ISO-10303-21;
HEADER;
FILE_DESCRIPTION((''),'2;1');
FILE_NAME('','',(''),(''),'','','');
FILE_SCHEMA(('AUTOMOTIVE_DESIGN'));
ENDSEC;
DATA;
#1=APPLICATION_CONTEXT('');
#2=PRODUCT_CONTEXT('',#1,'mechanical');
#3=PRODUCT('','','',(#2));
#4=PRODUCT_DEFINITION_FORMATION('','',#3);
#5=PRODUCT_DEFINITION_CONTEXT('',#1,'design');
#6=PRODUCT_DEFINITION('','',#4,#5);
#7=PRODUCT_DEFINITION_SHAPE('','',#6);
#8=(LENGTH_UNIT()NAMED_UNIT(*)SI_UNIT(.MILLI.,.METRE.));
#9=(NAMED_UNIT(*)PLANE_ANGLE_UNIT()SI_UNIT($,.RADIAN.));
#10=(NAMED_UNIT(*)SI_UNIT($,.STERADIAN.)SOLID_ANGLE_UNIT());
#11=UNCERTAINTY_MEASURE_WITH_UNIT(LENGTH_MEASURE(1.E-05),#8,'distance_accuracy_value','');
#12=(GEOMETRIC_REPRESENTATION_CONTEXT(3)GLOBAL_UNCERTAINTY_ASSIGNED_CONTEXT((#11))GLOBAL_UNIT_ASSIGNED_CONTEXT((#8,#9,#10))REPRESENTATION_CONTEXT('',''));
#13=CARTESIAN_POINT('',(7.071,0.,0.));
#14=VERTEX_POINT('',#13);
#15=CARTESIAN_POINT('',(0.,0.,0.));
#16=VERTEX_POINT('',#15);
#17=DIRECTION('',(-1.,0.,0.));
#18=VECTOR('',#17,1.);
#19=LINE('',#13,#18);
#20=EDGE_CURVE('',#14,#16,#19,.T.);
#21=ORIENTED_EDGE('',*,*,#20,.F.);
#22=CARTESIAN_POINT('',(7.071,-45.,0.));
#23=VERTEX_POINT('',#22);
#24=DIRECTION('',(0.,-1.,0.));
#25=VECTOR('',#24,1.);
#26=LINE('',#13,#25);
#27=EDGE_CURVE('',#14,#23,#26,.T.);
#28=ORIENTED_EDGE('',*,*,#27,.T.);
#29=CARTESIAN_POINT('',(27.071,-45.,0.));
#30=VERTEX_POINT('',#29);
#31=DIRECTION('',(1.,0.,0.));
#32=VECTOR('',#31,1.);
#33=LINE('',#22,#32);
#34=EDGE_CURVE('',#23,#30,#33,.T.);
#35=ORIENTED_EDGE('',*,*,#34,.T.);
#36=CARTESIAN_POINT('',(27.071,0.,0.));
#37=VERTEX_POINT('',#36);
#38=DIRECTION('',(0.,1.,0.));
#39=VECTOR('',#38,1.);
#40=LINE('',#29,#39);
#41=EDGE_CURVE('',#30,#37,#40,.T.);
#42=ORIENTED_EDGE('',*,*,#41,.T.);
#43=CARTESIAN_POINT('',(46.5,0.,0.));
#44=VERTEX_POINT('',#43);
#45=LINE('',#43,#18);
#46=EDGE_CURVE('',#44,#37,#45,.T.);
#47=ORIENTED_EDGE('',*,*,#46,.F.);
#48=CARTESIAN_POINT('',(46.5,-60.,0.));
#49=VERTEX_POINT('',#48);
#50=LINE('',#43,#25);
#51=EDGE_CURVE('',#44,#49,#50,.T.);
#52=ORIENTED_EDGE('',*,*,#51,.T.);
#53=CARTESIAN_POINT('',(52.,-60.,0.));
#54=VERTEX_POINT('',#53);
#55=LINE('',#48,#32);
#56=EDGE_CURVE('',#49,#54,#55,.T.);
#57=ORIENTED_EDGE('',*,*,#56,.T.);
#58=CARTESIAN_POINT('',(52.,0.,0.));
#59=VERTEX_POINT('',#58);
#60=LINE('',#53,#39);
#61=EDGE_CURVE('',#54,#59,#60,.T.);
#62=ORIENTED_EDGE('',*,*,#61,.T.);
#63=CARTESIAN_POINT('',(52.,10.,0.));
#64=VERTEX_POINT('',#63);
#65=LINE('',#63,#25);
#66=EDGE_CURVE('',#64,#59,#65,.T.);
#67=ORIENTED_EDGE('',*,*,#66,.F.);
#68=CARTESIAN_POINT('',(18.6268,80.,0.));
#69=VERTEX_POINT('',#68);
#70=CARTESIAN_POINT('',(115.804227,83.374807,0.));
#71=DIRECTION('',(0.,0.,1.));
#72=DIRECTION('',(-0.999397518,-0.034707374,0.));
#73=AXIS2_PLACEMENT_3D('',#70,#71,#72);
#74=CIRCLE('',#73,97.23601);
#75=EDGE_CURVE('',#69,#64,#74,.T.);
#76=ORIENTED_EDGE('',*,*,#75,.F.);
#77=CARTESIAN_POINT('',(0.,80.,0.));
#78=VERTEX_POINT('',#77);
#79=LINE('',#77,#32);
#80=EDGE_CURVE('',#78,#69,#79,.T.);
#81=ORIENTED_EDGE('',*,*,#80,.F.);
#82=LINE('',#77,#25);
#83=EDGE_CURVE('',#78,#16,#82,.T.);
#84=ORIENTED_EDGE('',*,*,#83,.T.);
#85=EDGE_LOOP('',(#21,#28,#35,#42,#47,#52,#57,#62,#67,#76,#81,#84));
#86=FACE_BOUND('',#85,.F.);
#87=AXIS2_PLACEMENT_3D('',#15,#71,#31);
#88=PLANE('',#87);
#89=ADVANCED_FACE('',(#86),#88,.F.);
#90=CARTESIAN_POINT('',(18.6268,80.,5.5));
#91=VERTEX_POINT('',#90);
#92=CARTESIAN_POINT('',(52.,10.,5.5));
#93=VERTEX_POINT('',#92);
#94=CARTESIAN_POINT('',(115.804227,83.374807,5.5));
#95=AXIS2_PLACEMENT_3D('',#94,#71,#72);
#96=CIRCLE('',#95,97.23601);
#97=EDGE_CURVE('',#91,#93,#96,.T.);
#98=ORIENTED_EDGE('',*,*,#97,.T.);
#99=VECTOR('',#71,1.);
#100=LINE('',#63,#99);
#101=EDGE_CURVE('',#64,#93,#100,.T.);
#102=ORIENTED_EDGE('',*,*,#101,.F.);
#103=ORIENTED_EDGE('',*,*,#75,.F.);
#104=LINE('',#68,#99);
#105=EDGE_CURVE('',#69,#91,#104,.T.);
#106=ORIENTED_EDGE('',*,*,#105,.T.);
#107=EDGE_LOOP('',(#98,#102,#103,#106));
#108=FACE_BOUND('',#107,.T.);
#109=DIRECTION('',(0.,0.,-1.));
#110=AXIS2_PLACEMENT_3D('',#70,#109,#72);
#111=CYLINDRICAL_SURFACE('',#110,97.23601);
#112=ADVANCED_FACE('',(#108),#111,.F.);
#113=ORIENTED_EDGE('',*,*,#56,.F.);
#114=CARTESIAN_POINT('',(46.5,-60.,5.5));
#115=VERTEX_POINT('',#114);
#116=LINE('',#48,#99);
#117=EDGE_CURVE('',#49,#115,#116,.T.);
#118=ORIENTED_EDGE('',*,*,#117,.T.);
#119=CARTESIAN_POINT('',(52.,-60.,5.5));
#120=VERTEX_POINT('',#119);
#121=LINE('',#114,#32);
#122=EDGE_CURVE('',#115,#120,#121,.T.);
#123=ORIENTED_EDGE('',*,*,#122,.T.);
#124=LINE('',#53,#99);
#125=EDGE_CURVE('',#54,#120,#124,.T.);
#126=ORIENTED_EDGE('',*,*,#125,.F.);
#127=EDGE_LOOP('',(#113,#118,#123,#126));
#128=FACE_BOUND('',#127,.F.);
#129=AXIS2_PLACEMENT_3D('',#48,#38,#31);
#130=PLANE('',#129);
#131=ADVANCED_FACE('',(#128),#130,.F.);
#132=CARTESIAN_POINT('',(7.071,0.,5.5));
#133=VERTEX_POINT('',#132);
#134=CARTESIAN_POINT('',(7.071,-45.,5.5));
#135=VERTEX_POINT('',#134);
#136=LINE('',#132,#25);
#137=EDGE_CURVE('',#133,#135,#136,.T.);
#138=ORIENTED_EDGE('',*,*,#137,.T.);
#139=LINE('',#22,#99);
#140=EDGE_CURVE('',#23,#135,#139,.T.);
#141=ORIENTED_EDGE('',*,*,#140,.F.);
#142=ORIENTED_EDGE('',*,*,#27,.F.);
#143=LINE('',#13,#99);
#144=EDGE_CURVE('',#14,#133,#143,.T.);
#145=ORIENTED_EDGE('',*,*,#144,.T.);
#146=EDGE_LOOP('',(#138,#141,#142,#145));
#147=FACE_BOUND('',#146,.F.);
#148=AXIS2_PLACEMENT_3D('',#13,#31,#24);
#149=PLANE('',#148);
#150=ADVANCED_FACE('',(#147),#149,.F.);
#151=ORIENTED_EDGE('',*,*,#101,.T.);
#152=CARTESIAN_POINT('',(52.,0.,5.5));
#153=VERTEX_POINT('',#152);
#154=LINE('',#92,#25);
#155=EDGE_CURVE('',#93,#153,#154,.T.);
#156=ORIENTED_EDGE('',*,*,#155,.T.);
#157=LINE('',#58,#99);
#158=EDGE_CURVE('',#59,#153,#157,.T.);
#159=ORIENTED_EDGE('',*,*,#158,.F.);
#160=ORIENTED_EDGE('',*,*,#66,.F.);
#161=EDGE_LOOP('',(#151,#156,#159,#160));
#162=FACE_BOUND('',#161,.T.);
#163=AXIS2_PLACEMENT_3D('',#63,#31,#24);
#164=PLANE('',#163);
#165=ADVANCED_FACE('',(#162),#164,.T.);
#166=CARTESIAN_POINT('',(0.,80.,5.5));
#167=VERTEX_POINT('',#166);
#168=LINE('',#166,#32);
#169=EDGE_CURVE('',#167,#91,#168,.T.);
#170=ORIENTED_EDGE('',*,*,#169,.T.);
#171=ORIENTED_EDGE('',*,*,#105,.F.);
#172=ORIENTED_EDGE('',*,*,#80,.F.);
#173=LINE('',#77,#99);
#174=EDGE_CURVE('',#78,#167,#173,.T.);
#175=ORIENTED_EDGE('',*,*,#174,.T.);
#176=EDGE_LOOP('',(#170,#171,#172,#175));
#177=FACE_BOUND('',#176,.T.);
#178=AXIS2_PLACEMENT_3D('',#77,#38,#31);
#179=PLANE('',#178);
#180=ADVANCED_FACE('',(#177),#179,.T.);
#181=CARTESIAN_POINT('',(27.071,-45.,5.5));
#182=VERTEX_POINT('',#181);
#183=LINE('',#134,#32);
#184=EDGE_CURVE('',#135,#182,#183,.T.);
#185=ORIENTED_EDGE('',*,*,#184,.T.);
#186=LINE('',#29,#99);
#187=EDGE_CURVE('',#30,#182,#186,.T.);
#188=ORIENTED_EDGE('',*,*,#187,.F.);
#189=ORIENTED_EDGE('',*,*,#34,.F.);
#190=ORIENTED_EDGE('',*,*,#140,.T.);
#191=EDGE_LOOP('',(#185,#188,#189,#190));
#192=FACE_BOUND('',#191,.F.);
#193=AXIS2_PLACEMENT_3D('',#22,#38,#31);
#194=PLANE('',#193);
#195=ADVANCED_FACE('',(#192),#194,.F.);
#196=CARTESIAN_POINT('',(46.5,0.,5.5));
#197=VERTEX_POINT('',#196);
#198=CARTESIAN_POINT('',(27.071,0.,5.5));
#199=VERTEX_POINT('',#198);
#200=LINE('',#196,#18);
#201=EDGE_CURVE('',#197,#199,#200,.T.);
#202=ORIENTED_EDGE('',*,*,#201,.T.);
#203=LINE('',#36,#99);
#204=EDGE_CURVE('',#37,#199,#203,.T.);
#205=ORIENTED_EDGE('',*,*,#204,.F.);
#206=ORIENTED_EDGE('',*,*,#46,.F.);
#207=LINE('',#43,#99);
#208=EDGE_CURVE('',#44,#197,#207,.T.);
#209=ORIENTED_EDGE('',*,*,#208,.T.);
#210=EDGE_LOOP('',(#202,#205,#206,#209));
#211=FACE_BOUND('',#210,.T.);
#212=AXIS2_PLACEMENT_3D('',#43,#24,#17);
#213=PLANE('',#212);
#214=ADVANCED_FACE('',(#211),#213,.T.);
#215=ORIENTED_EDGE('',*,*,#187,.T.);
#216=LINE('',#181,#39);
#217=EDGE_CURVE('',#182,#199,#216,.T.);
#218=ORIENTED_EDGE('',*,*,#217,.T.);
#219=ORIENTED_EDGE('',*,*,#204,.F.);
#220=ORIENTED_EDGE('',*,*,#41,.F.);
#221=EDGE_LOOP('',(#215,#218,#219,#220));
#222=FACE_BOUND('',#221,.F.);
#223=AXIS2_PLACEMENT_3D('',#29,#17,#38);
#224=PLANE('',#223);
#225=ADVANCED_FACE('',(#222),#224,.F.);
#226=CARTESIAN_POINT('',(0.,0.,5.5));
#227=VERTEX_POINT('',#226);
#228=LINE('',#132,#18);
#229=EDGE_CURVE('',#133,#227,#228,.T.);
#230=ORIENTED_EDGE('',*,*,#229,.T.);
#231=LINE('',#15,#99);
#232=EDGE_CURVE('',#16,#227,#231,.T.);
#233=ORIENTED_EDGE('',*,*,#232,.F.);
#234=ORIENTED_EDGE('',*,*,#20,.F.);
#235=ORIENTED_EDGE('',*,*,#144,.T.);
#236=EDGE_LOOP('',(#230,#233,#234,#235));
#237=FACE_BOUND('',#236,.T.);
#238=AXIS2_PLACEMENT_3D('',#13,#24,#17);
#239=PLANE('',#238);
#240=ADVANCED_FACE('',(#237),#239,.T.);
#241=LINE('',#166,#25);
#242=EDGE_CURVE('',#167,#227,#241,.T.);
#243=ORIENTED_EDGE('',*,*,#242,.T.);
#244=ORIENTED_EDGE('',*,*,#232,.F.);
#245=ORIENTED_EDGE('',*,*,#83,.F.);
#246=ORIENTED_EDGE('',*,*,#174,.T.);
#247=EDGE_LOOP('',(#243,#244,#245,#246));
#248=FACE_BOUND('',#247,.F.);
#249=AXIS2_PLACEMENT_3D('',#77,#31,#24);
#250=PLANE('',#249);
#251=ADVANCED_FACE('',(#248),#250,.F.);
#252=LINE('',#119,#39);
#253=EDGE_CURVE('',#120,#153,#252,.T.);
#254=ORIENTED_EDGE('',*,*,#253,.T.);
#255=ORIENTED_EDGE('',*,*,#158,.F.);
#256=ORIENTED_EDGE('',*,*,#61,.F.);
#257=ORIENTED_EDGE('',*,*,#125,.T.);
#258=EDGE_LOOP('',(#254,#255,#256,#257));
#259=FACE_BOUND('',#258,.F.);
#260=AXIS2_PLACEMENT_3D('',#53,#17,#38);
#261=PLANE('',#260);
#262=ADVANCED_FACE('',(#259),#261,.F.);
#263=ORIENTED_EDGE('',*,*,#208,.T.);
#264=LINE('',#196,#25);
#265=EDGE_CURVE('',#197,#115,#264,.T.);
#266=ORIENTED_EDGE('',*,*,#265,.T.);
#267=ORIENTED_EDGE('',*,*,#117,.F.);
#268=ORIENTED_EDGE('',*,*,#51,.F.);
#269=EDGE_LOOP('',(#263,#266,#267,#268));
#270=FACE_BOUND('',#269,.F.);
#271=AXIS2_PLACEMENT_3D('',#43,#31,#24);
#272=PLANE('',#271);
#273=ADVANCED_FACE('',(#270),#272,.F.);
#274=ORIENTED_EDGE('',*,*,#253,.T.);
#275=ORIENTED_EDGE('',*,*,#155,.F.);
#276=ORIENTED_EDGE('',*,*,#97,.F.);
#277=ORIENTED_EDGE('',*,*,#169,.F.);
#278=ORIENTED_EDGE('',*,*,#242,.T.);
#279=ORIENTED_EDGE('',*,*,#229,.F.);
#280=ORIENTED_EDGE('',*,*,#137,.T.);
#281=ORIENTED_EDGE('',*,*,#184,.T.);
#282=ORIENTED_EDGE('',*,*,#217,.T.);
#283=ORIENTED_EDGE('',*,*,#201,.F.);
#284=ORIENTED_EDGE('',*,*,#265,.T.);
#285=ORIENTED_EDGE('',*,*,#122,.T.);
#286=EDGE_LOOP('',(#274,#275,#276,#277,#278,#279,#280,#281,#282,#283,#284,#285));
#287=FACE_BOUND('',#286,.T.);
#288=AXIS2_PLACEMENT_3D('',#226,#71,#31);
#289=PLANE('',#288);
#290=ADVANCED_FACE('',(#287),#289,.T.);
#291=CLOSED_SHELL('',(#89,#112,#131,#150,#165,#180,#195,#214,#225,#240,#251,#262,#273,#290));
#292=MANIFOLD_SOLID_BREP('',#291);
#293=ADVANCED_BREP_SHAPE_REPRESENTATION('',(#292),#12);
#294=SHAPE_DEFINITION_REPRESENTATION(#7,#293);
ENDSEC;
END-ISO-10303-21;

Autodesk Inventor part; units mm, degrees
ref_plane "YZ Plane" through (0, 0, 0) normal (1, 0, 0) x (0, 1, 0)
ref_plane "XZ Plane" through (0, 0, 0) normal (0, 1, 0) x (-1, 0, 0)
ref_plane "XY Plane" through (0, 0, 0) normal (0, 0, 1) x (1, 0, 0)
sketch "Sketch1" plane through (0, 0, 0) normal (0, 0, 1) x (1, 0, 0)
  arc A0 (18.6268, 80) -> (52, 10) centre (115.8042, 83.3748) ccw
  line L0 (0, 80) -> (18.6268, 80)
  line L1 (46.5, 0) -> (27.071, 0)
  line L2 (7.071, 0) -> (0, 0)
  line L3 (7.071, 0) -> (7.071, -45)
  line L4 (7.071, -45) -> (27.071, -45)
  line L5 (27.071, -45) -> (27.071, 0)
  line L6 (46.5, 0) -> (46.5, -60)
  line L7 (46.5, -60) -> (52, -60)
  line L8 (52, -60) -> (52, 0)
  line L9 (0, 80) -> (0, 0)
  line L10 (52, 10) -> (52, 0)
  dimension "d22" = 52
  dimension "d23" = 19.429
  dimension "d24" = 45
  dimension "d25" = 60
extrude "Extrusion2" add sketch "Sketch1" along normal blind 5.5
properties part number "brazos"
